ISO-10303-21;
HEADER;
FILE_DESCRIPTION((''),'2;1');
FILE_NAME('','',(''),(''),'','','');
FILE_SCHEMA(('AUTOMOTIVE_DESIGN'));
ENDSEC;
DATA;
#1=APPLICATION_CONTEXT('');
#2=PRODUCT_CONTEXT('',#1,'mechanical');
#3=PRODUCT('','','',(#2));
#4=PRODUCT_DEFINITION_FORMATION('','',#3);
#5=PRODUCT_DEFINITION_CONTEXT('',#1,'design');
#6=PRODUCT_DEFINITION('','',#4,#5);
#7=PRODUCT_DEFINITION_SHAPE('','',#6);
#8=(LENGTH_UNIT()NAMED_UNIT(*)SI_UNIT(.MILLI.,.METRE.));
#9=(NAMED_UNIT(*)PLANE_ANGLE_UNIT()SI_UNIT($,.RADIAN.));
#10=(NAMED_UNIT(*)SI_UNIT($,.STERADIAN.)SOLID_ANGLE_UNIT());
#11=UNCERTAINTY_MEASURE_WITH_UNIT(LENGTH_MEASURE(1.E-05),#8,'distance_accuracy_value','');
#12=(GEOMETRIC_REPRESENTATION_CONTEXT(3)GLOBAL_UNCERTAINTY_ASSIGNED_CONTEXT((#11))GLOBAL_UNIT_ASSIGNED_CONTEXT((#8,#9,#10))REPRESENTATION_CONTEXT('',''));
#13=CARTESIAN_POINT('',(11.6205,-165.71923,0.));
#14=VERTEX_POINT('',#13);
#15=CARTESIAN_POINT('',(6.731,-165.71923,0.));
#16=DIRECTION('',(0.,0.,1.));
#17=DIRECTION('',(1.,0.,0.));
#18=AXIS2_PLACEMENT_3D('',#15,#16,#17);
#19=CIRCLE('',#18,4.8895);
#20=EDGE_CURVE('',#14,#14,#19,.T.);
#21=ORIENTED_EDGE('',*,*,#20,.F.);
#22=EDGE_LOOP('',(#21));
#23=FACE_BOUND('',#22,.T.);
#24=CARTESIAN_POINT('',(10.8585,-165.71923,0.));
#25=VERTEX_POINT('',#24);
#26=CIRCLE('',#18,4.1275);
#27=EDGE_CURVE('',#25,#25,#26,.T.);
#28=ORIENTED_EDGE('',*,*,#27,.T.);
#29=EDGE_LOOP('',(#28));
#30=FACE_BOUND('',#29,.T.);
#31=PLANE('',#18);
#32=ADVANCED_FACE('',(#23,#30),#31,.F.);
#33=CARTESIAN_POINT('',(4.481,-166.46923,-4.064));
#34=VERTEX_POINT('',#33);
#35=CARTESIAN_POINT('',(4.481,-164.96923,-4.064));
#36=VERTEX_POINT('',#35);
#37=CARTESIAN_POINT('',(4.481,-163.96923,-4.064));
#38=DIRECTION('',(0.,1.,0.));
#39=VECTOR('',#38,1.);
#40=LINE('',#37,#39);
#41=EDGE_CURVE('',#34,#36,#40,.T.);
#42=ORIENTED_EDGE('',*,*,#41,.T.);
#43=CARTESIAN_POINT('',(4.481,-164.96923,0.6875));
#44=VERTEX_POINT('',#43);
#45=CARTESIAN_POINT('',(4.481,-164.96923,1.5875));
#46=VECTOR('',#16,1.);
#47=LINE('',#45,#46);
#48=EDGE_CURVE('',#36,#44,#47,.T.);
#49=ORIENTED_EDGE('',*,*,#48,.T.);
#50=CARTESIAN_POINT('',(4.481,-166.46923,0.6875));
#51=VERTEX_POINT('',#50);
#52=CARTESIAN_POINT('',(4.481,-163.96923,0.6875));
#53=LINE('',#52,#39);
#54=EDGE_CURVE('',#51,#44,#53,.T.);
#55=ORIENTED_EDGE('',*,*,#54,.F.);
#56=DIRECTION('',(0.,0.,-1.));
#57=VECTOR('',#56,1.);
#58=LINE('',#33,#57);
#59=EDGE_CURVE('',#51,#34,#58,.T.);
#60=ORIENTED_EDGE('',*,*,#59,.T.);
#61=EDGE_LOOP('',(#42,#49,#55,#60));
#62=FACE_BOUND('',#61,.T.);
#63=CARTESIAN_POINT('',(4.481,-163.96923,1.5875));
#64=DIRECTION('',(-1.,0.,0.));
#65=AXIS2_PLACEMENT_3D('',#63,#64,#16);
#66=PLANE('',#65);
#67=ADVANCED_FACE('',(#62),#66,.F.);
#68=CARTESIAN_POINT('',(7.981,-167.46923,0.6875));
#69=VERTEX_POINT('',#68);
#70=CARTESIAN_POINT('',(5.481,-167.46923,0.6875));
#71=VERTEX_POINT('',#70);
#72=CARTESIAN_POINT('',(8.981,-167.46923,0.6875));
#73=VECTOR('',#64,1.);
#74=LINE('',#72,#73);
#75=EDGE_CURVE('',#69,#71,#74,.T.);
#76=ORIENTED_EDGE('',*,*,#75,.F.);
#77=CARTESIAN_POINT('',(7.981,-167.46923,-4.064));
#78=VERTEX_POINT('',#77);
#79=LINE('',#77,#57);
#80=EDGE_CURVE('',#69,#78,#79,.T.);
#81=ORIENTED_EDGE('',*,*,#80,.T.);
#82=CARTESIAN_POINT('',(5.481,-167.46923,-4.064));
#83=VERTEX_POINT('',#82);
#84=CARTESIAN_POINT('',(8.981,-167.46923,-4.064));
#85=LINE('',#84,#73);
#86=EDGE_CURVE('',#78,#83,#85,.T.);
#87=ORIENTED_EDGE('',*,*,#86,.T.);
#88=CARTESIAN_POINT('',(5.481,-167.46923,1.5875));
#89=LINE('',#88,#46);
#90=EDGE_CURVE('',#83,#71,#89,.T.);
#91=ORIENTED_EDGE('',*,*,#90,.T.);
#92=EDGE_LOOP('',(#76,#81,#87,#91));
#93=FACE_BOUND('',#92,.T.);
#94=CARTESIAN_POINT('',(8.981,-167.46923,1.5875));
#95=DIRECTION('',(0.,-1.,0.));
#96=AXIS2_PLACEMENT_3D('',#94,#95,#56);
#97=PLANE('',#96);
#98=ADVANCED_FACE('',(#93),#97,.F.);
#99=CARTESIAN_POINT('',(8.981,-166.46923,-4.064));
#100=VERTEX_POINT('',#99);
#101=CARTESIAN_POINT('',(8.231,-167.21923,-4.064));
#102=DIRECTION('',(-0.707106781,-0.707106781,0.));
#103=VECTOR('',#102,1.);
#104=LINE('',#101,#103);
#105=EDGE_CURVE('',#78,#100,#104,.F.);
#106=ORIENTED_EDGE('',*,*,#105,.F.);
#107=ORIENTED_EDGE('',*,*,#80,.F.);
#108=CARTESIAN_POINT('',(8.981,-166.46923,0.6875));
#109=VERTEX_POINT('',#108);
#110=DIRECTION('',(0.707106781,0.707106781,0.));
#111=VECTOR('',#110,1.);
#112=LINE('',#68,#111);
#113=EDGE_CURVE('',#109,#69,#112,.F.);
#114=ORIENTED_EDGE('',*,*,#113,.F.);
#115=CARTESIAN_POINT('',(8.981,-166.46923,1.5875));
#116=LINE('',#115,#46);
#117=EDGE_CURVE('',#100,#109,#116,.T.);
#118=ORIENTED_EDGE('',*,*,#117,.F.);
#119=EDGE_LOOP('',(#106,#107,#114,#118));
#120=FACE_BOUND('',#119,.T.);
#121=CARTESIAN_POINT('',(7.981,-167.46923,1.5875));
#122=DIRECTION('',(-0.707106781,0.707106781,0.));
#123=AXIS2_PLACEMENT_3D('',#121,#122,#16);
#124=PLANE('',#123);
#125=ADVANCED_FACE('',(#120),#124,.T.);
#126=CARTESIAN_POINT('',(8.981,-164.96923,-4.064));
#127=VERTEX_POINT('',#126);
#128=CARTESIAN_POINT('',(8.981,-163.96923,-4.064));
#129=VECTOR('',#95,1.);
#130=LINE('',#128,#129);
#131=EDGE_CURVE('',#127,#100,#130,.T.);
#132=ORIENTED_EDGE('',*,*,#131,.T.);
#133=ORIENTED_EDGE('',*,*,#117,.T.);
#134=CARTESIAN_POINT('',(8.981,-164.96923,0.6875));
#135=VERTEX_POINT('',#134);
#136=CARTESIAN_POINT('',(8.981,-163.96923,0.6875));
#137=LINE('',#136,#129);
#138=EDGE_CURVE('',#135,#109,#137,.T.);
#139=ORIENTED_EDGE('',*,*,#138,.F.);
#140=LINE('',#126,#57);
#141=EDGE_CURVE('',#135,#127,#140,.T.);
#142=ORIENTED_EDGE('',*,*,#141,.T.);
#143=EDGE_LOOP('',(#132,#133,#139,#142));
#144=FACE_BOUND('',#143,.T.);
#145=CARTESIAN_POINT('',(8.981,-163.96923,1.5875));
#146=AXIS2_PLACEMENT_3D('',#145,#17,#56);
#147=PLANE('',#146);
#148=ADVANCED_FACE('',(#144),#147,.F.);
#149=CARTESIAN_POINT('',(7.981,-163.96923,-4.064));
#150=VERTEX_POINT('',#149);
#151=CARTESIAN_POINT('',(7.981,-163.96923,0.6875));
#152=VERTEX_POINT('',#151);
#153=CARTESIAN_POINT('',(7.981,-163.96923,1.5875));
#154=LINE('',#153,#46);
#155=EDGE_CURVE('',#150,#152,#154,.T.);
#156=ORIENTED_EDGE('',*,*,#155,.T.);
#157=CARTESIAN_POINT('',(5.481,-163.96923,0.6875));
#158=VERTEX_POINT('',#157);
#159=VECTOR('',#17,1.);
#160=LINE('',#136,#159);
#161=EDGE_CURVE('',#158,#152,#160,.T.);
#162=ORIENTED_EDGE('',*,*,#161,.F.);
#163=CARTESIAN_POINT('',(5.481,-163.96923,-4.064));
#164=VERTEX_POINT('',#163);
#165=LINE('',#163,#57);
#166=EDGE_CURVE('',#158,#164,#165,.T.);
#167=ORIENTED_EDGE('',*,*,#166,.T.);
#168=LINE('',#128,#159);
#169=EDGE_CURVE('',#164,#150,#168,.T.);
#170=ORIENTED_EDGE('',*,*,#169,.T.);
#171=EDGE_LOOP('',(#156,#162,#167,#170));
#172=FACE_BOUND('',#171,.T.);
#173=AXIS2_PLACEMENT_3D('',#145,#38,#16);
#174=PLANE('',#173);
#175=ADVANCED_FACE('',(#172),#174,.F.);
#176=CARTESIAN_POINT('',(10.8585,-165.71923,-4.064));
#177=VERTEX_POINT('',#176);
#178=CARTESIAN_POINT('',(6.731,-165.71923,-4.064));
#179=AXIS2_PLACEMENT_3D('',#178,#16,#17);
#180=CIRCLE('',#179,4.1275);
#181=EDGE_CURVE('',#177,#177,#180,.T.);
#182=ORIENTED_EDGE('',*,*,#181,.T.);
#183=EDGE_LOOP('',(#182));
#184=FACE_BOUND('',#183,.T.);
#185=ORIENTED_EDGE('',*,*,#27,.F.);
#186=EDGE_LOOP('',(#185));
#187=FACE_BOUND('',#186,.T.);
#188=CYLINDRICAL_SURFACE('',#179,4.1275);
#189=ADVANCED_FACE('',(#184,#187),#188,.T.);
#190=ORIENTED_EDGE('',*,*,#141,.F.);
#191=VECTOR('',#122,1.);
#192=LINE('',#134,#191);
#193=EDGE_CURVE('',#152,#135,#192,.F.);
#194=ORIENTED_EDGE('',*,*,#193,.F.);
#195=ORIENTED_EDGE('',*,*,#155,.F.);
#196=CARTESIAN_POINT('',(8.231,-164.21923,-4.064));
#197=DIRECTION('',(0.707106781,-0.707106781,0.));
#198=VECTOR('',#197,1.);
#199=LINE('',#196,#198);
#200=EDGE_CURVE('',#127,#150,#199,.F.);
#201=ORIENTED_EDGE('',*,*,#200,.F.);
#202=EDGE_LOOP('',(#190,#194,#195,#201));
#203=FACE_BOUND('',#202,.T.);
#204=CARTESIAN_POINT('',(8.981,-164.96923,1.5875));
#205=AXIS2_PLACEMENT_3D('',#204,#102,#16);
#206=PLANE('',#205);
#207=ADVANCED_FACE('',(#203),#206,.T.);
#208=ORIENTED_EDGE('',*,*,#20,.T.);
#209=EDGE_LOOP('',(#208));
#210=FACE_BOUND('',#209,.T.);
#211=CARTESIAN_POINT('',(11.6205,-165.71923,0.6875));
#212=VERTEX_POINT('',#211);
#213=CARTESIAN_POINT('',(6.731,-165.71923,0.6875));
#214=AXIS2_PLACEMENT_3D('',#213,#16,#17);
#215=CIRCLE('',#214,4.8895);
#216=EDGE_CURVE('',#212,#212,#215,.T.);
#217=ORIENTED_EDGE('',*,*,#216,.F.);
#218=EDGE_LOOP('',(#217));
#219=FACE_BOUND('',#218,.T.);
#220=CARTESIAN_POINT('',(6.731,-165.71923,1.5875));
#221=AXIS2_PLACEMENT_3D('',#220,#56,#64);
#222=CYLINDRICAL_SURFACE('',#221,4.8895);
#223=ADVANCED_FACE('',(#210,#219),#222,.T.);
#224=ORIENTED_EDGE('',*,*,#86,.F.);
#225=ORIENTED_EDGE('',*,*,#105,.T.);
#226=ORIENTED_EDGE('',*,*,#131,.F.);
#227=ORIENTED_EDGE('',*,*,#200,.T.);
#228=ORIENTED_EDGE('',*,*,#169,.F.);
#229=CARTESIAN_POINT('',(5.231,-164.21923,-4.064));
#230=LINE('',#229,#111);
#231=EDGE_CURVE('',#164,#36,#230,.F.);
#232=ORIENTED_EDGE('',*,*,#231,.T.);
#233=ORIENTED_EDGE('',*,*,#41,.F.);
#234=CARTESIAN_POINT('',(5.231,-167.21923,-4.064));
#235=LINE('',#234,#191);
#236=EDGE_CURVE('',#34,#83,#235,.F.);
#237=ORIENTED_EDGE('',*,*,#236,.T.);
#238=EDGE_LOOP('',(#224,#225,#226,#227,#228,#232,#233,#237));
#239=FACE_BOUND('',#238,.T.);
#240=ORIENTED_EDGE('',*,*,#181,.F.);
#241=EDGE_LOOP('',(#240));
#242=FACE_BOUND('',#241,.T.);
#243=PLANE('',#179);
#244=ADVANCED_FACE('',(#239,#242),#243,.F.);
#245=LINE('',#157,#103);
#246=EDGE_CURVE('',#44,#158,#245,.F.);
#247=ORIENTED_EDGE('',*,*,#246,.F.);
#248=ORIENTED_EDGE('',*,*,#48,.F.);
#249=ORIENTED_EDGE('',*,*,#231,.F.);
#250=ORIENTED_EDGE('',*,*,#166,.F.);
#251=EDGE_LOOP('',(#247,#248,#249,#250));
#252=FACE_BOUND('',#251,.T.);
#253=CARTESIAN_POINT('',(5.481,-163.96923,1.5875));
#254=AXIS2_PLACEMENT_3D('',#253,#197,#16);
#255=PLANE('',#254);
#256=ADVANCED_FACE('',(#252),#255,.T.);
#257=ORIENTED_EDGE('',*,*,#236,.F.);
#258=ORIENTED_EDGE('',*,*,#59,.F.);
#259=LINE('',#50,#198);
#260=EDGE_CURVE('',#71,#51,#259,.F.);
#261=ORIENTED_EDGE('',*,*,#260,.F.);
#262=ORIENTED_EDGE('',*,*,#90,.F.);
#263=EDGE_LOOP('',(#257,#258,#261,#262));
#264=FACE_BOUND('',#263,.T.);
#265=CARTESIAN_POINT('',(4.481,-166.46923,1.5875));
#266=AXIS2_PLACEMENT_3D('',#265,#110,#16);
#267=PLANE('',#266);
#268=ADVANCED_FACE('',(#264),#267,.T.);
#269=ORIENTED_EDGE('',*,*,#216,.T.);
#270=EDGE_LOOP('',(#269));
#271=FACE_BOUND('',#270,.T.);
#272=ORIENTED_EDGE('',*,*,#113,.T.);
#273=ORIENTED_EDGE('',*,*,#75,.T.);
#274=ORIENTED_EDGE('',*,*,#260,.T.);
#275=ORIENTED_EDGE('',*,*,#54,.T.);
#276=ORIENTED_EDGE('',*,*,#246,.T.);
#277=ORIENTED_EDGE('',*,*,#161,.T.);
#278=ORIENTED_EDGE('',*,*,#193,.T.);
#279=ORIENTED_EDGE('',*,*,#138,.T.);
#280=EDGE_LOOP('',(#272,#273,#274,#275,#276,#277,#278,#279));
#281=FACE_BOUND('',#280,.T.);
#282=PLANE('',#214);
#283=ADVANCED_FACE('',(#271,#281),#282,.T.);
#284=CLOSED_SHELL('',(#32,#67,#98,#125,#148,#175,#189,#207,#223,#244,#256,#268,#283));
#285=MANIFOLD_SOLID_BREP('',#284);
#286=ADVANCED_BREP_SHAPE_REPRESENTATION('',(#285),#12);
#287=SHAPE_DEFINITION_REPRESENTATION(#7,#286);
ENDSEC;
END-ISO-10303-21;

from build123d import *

# Parameters (mm, degrees)
SKETCH1_R           = 4.1275
BOSS_EXTRUDE2_DEPTH = 4.064
SKETCH2_R           = 4.8895
BOSS_EXTRUDE3_DEPTH = 1.5875
SKETCH7_W           = 4.5
SKETCH7_H           = 3.5
CUT_EXTRUDE2_DEPTH  = 6.6515
CHAMFER1_SIZE       = 1
SKETCH8_R           = 4.8895
CUT_EXTRUDE3_DEPTH  = 0.9


with BuildPart() as part:
    # Sketch1 → Boss-Extrude2 (new body)
    with BuildSketch(Plane.XY):
        with Locations((6.731, -165.7192297)):
            Circle(SKETCH1_R)
    extrude(amount=-BOSS_EXTRUDE2_DEPTH)

    # Sketch2 → Boss-Extrude3 (add)
    with BuildSketch(Plane.XY):
        with Locations((6.731, -165.7192297)):
            Circle(SKETCH2_R)
    extrude(amount=BOSS_EXTRUDE3_DEPTH)

    # Sketch7 → Cut-Extrude2 (cut, through all)
    with BuildSketch(Plane(origin=(0, 0, -4.064), x_dir=(-1, 0, 0), z_dir=(0, 0, -1))):
        with Locations((-6.731, -165.7192297)):
            Rectangle(SKETCH7_W, SKETCH7_H)
    extrude(amount=-CUT_EXTRUDE2_DEPTH, mode=Mode.SUBTRACT)

    # Chamfer1
    chamfer1_edges = [part.edges().sort_by_distance(p)[0] for p in [
        (4.481, -163.9692297, -1.23825),
        (4.481, -167.4692297, -1.23825),
        (8.981, -167.4692297, -1.23825),
        (8.981, -163.9692297, -1.23825),
    ]]
    chamfer(chamfer1_edges, length=CHAMFER1_SIZE)

    # Sketch8 → Cut-Extrude3 (cut)
    with BuildSketch(Plane.XY.offset(1.5875)):
        with Locations((6.731, -165.7192297)):
            Circle(SKETCH8_R)
    extrude(amount=-CUT_EXTRUDE3_DEPTH, mode=Mode.SUBTRACT)


solid = part.part
